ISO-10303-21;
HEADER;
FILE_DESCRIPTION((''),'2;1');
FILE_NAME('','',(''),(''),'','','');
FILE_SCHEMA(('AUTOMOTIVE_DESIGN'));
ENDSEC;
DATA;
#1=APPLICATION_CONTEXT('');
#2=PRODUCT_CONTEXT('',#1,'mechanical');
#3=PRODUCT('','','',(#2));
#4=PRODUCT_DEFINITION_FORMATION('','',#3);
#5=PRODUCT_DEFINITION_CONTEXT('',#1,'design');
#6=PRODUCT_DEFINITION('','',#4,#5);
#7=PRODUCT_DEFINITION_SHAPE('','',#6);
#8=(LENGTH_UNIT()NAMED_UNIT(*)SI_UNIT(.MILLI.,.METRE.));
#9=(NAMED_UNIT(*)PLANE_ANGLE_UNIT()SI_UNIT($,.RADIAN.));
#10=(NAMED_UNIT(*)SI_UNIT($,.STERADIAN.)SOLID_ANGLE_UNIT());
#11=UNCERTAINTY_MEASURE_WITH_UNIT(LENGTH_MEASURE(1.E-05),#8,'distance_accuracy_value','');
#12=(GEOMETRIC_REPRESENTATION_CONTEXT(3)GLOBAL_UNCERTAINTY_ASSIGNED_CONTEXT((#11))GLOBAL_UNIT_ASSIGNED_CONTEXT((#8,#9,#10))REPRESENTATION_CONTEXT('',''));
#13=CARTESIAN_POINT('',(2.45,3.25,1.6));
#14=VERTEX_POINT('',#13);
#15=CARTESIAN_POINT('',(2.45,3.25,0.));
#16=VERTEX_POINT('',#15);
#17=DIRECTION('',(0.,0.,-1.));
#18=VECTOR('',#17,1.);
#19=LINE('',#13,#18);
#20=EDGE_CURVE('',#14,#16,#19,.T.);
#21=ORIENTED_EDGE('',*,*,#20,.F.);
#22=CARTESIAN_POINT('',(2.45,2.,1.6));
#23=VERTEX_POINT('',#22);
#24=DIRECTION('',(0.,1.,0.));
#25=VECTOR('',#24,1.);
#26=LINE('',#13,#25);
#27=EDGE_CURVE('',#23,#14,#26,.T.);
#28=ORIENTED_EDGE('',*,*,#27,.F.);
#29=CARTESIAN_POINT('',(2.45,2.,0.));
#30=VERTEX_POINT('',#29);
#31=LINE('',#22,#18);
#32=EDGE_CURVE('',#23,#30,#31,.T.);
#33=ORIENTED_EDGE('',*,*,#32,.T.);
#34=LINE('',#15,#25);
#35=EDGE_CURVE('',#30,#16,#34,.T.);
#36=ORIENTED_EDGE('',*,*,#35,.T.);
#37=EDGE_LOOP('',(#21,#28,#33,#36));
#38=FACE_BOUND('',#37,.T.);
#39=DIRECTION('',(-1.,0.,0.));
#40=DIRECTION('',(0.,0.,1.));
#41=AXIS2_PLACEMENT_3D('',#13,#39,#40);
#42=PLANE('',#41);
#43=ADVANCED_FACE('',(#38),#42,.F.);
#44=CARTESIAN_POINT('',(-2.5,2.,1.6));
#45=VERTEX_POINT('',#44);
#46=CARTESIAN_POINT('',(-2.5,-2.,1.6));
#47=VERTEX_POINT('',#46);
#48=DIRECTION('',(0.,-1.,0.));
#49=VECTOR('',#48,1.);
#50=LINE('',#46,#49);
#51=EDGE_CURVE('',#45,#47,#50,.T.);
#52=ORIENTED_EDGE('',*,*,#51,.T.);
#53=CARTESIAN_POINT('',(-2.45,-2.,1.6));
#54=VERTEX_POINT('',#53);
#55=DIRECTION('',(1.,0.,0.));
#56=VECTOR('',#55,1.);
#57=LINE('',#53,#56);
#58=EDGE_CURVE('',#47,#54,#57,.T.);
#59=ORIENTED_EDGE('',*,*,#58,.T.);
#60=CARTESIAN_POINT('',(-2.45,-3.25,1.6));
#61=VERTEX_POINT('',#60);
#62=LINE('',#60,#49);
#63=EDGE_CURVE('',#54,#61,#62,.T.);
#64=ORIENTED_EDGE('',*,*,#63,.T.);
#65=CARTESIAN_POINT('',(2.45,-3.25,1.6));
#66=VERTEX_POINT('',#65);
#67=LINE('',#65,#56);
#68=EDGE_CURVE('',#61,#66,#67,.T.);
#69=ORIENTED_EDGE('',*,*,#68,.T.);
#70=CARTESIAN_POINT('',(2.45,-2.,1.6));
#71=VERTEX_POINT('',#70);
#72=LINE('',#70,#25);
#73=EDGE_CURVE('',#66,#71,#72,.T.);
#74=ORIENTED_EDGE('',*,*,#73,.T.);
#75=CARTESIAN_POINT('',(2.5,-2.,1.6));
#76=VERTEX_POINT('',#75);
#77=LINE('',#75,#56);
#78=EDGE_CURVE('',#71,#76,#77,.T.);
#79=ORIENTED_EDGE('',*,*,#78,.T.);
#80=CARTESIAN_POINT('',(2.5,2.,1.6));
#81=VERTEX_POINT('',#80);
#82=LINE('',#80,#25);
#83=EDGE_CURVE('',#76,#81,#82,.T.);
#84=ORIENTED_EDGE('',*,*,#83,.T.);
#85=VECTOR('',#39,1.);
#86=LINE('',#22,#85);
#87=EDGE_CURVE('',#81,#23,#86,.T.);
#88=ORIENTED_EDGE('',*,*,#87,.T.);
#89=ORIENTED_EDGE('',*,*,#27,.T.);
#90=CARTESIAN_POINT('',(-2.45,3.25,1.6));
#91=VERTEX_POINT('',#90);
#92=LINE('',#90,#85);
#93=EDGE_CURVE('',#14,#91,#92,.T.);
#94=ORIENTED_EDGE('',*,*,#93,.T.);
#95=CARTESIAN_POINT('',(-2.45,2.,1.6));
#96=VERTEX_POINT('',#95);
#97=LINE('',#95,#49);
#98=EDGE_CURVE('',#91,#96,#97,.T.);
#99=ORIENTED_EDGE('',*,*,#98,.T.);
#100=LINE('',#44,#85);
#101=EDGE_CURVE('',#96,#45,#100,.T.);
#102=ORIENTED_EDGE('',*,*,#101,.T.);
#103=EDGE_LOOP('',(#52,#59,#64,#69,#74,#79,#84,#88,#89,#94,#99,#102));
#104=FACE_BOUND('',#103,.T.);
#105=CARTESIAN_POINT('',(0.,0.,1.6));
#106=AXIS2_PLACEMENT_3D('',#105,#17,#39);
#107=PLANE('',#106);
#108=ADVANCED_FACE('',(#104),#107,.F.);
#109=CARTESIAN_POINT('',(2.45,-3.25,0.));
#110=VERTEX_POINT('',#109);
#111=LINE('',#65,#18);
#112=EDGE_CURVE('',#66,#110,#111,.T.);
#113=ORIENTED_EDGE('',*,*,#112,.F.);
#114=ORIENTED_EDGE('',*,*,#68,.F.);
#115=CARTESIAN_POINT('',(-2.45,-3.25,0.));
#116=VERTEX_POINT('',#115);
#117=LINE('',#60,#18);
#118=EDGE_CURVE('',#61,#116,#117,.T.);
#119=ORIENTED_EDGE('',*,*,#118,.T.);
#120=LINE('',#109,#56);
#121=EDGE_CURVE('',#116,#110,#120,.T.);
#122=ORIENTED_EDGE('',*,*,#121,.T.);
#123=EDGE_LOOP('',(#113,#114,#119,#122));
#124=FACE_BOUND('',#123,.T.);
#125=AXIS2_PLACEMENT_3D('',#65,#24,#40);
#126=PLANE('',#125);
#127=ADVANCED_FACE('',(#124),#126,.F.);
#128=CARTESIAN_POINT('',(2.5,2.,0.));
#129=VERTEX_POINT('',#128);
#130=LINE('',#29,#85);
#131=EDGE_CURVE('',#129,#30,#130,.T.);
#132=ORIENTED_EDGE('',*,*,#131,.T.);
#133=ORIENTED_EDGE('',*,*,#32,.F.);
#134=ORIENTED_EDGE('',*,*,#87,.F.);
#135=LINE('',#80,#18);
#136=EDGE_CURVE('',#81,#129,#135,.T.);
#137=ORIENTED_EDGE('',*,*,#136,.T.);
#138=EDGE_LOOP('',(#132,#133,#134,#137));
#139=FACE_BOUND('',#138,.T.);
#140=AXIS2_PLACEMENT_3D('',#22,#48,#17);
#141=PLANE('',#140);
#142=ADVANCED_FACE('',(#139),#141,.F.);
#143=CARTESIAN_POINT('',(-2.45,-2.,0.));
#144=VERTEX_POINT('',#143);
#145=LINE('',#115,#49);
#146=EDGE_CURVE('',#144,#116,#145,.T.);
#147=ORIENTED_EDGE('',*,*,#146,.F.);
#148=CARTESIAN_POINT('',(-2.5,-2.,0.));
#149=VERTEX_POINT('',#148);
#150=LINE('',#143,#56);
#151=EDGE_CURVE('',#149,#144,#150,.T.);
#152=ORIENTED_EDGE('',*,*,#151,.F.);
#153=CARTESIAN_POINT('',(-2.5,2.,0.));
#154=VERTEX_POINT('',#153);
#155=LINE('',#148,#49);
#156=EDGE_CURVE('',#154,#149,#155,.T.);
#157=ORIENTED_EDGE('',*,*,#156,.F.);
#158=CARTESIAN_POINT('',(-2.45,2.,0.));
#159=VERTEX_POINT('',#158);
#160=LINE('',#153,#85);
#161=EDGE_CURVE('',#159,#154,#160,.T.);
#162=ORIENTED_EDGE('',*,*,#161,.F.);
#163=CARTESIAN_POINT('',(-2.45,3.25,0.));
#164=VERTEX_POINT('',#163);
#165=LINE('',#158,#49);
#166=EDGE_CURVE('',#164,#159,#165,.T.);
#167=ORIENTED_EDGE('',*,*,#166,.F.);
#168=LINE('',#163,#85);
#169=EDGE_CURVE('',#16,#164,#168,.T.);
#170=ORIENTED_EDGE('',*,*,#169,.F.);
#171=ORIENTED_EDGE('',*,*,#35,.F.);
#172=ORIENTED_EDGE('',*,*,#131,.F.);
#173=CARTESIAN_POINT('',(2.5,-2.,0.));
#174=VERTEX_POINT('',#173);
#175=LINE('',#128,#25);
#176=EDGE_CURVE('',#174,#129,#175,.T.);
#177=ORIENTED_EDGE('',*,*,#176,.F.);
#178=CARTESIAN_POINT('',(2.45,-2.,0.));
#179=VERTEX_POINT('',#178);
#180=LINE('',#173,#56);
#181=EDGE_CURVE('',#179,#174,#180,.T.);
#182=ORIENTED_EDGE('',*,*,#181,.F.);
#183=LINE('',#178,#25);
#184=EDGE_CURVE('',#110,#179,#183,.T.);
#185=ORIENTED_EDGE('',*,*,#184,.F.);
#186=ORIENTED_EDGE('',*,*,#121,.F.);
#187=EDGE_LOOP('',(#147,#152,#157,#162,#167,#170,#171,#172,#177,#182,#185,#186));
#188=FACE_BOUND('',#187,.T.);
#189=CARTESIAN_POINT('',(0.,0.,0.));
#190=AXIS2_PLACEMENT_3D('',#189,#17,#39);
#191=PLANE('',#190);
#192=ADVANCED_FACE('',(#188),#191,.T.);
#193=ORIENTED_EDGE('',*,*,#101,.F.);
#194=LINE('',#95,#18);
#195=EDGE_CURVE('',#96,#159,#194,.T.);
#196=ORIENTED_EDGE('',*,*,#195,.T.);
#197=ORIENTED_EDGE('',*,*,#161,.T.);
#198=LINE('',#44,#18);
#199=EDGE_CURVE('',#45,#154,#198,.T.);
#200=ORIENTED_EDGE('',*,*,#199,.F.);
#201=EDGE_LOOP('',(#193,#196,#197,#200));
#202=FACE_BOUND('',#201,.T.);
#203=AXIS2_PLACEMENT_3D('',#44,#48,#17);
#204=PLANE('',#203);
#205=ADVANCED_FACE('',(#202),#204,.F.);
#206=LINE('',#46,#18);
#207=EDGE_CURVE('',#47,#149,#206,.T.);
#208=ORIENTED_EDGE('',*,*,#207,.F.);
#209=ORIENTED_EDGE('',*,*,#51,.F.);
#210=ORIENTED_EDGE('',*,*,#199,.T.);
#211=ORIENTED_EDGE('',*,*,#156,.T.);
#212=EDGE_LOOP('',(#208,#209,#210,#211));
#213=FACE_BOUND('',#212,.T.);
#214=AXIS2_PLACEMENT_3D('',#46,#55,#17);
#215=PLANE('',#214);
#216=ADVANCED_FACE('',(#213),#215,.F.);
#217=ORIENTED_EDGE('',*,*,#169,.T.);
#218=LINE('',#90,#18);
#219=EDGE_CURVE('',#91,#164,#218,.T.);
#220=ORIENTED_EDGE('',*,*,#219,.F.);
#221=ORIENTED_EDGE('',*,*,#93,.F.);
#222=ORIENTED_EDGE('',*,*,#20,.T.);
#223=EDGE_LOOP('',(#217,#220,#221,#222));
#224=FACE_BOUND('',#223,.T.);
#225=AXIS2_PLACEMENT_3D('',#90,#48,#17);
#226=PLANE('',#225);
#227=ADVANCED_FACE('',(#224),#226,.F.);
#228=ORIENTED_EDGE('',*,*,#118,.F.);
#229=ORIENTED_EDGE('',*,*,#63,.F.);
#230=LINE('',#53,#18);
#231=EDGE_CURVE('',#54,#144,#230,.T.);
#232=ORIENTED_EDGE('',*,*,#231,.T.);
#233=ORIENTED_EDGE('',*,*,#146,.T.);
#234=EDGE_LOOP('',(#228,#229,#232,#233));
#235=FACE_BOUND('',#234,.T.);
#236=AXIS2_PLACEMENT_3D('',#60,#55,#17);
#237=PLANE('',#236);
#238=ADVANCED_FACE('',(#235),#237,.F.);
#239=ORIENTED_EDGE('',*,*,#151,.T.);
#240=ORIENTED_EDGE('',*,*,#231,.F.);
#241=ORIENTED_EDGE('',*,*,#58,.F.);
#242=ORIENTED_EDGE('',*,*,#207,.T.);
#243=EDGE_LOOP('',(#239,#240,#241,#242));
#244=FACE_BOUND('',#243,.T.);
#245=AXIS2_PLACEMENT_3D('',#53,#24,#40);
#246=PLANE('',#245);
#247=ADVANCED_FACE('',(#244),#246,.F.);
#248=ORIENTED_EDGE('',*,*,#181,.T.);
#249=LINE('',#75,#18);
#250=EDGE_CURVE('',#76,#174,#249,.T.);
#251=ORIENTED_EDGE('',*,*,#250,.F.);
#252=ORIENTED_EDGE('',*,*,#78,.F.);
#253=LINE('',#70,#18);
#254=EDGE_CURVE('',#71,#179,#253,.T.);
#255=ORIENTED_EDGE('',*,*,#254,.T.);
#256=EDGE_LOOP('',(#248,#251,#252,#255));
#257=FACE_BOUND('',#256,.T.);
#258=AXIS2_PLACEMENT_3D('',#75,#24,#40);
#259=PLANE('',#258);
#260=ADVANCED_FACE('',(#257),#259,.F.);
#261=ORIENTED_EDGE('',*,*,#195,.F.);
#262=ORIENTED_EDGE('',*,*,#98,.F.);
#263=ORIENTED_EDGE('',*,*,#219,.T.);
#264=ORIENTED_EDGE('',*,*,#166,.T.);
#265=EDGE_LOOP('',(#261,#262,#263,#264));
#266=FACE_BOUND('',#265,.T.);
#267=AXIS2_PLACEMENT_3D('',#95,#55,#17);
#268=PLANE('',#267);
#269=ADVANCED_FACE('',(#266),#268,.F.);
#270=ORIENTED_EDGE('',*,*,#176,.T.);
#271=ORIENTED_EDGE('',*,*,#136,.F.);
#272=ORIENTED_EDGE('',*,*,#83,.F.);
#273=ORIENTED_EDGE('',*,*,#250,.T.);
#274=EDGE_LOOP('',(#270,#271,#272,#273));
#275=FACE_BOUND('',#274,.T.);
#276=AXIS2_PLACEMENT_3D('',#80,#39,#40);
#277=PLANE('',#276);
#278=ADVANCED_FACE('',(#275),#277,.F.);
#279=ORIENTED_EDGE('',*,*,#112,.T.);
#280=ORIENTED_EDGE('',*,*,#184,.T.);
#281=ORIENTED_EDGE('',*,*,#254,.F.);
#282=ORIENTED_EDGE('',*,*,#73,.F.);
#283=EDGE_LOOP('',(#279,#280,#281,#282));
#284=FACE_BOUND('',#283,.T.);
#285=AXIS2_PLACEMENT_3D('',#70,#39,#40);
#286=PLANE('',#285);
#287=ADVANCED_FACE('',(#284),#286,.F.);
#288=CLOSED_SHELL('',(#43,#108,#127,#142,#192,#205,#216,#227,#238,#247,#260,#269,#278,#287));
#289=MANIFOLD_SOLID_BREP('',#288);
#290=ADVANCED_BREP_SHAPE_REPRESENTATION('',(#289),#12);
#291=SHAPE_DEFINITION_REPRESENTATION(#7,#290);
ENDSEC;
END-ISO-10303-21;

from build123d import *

# Parameters (mm, degrees)
COMPONENT_OUTLINE_DEPTH = 1.6


with BuildPart() as part:
    # 草图1 → Component_Outline (new body)
    with BuildSketch(Plane.XY):
        Polygon((-2.5, 2), (-2.45, 2), (-2.45, 3.25), (2.45, 3.25), (2.45, 2), (2.5, 2), (2.5, -2), (2.45, -2), (2.45, -3.25), (-2.45, -3.25), (-2.45, -2), (-2.5, -2), align=None)
    extrude(amount=COMPONENT_OUTLINE_DEPTH)


solid = part.part
